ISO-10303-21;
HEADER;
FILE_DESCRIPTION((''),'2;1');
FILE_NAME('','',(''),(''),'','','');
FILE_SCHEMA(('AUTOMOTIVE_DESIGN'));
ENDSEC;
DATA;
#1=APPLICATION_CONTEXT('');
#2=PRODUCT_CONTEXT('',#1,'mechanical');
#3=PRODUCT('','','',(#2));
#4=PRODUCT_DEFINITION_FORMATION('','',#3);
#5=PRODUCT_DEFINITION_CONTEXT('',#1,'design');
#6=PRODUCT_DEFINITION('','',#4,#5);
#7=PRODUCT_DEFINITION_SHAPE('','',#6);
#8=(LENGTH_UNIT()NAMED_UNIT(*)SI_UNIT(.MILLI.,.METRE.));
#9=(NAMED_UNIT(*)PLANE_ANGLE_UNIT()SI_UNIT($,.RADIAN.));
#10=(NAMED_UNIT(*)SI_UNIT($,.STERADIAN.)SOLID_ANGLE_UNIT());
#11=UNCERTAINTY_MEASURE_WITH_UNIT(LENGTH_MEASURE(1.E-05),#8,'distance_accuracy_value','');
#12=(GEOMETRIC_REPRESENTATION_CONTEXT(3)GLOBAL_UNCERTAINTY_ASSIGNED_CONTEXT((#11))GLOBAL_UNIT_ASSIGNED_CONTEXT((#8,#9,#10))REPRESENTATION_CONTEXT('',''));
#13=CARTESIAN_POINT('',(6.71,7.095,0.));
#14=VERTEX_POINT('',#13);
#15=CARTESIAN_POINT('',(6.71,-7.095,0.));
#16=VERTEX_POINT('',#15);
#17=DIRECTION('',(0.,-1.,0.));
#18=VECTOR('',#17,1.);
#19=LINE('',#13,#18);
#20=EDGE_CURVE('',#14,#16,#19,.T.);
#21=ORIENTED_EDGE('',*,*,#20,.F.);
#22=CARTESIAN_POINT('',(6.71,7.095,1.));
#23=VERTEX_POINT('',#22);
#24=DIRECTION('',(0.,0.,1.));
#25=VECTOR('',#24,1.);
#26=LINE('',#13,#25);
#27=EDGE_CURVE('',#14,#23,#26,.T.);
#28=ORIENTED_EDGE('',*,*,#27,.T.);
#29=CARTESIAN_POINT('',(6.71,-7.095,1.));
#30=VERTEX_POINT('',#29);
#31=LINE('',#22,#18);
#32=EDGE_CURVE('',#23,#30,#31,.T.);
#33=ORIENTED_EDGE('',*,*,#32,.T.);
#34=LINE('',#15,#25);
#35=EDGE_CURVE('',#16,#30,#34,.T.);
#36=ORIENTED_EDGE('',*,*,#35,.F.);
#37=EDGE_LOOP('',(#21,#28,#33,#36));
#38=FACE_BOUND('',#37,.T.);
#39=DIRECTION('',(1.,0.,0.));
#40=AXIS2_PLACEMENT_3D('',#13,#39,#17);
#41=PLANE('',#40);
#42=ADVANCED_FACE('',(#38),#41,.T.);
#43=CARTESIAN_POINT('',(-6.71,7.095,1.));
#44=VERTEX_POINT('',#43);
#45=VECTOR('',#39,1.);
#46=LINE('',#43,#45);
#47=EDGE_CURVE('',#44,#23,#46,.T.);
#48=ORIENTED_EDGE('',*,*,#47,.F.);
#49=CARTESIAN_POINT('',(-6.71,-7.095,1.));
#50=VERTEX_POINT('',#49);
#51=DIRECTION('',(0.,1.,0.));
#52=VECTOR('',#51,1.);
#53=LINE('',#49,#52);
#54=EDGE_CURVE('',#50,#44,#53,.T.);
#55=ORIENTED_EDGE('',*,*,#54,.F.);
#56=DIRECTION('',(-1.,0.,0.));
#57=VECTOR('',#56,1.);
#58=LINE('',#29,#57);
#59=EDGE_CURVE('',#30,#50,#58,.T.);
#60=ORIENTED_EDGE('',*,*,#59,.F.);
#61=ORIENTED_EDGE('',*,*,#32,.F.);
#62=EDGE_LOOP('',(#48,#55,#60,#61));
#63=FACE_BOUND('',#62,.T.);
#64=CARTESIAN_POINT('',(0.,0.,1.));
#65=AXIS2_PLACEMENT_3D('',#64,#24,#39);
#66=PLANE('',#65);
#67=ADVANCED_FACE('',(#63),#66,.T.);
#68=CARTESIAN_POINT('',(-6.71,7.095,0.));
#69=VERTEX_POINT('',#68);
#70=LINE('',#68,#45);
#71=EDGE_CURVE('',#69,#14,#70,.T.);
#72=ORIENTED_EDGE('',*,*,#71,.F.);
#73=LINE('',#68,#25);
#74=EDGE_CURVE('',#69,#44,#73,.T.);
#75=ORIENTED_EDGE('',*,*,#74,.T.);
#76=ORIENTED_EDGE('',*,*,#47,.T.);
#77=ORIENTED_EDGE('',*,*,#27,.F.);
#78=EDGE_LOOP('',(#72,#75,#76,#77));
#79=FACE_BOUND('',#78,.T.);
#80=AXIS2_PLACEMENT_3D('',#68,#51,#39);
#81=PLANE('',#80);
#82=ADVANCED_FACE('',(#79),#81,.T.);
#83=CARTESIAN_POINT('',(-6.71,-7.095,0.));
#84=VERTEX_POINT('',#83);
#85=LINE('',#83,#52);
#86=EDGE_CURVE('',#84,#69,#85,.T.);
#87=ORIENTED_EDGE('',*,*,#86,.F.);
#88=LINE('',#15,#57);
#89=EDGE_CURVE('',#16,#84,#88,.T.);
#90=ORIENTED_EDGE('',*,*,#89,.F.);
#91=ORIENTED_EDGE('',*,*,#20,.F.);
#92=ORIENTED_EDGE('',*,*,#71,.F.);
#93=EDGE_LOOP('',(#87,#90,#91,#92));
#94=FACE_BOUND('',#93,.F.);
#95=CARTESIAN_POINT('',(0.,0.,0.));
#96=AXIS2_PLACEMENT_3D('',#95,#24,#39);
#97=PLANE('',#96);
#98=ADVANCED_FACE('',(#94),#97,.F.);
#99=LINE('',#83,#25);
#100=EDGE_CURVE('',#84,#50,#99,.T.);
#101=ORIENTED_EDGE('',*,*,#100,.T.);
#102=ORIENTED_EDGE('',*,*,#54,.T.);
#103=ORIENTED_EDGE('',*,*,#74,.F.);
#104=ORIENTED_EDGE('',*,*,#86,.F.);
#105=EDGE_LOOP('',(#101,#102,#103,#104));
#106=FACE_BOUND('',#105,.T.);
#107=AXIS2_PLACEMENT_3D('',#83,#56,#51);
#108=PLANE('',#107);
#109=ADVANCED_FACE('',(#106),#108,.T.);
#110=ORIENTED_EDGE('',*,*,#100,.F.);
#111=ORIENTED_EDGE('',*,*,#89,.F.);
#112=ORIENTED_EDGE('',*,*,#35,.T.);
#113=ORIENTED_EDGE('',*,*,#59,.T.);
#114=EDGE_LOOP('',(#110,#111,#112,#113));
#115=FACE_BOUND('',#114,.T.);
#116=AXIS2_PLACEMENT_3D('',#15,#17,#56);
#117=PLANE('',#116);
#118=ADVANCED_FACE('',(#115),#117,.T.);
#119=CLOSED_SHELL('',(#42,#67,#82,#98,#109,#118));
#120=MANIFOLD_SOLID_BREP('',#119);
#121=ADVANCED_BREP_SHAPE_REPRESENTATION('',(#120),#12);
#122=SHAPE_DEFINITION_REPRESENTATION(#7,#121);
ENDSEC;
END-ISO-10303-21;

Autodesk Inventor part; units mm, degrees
ref_plane "YZ Plane" through (0, 0, 0) normal (1, 0, 0) x (0, 1, 0)
ref_plane "XZ Plane" through (0, 0, 0) normal (0, 1, 0) x (-1, 0, 0)
ref_plane "XY Plane" through (0, 0, 0) normal (0, 0, 1) x (1, 0, 0)
sketch "PN80, MSP430F5529IPNR_171" plane through (0, 0, 0) normal (0, 0, 1) x (1, 0, 0)
  line L0 (-6.71, 7.095) -> (6.71, 7.095)
  line L1 (6.71, 7.095) -> (6.71, -7.095)
  line L2 (6.71, -7.095) -> (-6.71, -7.095)
  line L3 (-6.71, -7.095) -> (-6.71, 7.095)
extrude "Extrusion1" add sketch "PN80, MSP430F5529IPNR_171" along normal blind 1
properties part number "MSP430F5529IPNR"
